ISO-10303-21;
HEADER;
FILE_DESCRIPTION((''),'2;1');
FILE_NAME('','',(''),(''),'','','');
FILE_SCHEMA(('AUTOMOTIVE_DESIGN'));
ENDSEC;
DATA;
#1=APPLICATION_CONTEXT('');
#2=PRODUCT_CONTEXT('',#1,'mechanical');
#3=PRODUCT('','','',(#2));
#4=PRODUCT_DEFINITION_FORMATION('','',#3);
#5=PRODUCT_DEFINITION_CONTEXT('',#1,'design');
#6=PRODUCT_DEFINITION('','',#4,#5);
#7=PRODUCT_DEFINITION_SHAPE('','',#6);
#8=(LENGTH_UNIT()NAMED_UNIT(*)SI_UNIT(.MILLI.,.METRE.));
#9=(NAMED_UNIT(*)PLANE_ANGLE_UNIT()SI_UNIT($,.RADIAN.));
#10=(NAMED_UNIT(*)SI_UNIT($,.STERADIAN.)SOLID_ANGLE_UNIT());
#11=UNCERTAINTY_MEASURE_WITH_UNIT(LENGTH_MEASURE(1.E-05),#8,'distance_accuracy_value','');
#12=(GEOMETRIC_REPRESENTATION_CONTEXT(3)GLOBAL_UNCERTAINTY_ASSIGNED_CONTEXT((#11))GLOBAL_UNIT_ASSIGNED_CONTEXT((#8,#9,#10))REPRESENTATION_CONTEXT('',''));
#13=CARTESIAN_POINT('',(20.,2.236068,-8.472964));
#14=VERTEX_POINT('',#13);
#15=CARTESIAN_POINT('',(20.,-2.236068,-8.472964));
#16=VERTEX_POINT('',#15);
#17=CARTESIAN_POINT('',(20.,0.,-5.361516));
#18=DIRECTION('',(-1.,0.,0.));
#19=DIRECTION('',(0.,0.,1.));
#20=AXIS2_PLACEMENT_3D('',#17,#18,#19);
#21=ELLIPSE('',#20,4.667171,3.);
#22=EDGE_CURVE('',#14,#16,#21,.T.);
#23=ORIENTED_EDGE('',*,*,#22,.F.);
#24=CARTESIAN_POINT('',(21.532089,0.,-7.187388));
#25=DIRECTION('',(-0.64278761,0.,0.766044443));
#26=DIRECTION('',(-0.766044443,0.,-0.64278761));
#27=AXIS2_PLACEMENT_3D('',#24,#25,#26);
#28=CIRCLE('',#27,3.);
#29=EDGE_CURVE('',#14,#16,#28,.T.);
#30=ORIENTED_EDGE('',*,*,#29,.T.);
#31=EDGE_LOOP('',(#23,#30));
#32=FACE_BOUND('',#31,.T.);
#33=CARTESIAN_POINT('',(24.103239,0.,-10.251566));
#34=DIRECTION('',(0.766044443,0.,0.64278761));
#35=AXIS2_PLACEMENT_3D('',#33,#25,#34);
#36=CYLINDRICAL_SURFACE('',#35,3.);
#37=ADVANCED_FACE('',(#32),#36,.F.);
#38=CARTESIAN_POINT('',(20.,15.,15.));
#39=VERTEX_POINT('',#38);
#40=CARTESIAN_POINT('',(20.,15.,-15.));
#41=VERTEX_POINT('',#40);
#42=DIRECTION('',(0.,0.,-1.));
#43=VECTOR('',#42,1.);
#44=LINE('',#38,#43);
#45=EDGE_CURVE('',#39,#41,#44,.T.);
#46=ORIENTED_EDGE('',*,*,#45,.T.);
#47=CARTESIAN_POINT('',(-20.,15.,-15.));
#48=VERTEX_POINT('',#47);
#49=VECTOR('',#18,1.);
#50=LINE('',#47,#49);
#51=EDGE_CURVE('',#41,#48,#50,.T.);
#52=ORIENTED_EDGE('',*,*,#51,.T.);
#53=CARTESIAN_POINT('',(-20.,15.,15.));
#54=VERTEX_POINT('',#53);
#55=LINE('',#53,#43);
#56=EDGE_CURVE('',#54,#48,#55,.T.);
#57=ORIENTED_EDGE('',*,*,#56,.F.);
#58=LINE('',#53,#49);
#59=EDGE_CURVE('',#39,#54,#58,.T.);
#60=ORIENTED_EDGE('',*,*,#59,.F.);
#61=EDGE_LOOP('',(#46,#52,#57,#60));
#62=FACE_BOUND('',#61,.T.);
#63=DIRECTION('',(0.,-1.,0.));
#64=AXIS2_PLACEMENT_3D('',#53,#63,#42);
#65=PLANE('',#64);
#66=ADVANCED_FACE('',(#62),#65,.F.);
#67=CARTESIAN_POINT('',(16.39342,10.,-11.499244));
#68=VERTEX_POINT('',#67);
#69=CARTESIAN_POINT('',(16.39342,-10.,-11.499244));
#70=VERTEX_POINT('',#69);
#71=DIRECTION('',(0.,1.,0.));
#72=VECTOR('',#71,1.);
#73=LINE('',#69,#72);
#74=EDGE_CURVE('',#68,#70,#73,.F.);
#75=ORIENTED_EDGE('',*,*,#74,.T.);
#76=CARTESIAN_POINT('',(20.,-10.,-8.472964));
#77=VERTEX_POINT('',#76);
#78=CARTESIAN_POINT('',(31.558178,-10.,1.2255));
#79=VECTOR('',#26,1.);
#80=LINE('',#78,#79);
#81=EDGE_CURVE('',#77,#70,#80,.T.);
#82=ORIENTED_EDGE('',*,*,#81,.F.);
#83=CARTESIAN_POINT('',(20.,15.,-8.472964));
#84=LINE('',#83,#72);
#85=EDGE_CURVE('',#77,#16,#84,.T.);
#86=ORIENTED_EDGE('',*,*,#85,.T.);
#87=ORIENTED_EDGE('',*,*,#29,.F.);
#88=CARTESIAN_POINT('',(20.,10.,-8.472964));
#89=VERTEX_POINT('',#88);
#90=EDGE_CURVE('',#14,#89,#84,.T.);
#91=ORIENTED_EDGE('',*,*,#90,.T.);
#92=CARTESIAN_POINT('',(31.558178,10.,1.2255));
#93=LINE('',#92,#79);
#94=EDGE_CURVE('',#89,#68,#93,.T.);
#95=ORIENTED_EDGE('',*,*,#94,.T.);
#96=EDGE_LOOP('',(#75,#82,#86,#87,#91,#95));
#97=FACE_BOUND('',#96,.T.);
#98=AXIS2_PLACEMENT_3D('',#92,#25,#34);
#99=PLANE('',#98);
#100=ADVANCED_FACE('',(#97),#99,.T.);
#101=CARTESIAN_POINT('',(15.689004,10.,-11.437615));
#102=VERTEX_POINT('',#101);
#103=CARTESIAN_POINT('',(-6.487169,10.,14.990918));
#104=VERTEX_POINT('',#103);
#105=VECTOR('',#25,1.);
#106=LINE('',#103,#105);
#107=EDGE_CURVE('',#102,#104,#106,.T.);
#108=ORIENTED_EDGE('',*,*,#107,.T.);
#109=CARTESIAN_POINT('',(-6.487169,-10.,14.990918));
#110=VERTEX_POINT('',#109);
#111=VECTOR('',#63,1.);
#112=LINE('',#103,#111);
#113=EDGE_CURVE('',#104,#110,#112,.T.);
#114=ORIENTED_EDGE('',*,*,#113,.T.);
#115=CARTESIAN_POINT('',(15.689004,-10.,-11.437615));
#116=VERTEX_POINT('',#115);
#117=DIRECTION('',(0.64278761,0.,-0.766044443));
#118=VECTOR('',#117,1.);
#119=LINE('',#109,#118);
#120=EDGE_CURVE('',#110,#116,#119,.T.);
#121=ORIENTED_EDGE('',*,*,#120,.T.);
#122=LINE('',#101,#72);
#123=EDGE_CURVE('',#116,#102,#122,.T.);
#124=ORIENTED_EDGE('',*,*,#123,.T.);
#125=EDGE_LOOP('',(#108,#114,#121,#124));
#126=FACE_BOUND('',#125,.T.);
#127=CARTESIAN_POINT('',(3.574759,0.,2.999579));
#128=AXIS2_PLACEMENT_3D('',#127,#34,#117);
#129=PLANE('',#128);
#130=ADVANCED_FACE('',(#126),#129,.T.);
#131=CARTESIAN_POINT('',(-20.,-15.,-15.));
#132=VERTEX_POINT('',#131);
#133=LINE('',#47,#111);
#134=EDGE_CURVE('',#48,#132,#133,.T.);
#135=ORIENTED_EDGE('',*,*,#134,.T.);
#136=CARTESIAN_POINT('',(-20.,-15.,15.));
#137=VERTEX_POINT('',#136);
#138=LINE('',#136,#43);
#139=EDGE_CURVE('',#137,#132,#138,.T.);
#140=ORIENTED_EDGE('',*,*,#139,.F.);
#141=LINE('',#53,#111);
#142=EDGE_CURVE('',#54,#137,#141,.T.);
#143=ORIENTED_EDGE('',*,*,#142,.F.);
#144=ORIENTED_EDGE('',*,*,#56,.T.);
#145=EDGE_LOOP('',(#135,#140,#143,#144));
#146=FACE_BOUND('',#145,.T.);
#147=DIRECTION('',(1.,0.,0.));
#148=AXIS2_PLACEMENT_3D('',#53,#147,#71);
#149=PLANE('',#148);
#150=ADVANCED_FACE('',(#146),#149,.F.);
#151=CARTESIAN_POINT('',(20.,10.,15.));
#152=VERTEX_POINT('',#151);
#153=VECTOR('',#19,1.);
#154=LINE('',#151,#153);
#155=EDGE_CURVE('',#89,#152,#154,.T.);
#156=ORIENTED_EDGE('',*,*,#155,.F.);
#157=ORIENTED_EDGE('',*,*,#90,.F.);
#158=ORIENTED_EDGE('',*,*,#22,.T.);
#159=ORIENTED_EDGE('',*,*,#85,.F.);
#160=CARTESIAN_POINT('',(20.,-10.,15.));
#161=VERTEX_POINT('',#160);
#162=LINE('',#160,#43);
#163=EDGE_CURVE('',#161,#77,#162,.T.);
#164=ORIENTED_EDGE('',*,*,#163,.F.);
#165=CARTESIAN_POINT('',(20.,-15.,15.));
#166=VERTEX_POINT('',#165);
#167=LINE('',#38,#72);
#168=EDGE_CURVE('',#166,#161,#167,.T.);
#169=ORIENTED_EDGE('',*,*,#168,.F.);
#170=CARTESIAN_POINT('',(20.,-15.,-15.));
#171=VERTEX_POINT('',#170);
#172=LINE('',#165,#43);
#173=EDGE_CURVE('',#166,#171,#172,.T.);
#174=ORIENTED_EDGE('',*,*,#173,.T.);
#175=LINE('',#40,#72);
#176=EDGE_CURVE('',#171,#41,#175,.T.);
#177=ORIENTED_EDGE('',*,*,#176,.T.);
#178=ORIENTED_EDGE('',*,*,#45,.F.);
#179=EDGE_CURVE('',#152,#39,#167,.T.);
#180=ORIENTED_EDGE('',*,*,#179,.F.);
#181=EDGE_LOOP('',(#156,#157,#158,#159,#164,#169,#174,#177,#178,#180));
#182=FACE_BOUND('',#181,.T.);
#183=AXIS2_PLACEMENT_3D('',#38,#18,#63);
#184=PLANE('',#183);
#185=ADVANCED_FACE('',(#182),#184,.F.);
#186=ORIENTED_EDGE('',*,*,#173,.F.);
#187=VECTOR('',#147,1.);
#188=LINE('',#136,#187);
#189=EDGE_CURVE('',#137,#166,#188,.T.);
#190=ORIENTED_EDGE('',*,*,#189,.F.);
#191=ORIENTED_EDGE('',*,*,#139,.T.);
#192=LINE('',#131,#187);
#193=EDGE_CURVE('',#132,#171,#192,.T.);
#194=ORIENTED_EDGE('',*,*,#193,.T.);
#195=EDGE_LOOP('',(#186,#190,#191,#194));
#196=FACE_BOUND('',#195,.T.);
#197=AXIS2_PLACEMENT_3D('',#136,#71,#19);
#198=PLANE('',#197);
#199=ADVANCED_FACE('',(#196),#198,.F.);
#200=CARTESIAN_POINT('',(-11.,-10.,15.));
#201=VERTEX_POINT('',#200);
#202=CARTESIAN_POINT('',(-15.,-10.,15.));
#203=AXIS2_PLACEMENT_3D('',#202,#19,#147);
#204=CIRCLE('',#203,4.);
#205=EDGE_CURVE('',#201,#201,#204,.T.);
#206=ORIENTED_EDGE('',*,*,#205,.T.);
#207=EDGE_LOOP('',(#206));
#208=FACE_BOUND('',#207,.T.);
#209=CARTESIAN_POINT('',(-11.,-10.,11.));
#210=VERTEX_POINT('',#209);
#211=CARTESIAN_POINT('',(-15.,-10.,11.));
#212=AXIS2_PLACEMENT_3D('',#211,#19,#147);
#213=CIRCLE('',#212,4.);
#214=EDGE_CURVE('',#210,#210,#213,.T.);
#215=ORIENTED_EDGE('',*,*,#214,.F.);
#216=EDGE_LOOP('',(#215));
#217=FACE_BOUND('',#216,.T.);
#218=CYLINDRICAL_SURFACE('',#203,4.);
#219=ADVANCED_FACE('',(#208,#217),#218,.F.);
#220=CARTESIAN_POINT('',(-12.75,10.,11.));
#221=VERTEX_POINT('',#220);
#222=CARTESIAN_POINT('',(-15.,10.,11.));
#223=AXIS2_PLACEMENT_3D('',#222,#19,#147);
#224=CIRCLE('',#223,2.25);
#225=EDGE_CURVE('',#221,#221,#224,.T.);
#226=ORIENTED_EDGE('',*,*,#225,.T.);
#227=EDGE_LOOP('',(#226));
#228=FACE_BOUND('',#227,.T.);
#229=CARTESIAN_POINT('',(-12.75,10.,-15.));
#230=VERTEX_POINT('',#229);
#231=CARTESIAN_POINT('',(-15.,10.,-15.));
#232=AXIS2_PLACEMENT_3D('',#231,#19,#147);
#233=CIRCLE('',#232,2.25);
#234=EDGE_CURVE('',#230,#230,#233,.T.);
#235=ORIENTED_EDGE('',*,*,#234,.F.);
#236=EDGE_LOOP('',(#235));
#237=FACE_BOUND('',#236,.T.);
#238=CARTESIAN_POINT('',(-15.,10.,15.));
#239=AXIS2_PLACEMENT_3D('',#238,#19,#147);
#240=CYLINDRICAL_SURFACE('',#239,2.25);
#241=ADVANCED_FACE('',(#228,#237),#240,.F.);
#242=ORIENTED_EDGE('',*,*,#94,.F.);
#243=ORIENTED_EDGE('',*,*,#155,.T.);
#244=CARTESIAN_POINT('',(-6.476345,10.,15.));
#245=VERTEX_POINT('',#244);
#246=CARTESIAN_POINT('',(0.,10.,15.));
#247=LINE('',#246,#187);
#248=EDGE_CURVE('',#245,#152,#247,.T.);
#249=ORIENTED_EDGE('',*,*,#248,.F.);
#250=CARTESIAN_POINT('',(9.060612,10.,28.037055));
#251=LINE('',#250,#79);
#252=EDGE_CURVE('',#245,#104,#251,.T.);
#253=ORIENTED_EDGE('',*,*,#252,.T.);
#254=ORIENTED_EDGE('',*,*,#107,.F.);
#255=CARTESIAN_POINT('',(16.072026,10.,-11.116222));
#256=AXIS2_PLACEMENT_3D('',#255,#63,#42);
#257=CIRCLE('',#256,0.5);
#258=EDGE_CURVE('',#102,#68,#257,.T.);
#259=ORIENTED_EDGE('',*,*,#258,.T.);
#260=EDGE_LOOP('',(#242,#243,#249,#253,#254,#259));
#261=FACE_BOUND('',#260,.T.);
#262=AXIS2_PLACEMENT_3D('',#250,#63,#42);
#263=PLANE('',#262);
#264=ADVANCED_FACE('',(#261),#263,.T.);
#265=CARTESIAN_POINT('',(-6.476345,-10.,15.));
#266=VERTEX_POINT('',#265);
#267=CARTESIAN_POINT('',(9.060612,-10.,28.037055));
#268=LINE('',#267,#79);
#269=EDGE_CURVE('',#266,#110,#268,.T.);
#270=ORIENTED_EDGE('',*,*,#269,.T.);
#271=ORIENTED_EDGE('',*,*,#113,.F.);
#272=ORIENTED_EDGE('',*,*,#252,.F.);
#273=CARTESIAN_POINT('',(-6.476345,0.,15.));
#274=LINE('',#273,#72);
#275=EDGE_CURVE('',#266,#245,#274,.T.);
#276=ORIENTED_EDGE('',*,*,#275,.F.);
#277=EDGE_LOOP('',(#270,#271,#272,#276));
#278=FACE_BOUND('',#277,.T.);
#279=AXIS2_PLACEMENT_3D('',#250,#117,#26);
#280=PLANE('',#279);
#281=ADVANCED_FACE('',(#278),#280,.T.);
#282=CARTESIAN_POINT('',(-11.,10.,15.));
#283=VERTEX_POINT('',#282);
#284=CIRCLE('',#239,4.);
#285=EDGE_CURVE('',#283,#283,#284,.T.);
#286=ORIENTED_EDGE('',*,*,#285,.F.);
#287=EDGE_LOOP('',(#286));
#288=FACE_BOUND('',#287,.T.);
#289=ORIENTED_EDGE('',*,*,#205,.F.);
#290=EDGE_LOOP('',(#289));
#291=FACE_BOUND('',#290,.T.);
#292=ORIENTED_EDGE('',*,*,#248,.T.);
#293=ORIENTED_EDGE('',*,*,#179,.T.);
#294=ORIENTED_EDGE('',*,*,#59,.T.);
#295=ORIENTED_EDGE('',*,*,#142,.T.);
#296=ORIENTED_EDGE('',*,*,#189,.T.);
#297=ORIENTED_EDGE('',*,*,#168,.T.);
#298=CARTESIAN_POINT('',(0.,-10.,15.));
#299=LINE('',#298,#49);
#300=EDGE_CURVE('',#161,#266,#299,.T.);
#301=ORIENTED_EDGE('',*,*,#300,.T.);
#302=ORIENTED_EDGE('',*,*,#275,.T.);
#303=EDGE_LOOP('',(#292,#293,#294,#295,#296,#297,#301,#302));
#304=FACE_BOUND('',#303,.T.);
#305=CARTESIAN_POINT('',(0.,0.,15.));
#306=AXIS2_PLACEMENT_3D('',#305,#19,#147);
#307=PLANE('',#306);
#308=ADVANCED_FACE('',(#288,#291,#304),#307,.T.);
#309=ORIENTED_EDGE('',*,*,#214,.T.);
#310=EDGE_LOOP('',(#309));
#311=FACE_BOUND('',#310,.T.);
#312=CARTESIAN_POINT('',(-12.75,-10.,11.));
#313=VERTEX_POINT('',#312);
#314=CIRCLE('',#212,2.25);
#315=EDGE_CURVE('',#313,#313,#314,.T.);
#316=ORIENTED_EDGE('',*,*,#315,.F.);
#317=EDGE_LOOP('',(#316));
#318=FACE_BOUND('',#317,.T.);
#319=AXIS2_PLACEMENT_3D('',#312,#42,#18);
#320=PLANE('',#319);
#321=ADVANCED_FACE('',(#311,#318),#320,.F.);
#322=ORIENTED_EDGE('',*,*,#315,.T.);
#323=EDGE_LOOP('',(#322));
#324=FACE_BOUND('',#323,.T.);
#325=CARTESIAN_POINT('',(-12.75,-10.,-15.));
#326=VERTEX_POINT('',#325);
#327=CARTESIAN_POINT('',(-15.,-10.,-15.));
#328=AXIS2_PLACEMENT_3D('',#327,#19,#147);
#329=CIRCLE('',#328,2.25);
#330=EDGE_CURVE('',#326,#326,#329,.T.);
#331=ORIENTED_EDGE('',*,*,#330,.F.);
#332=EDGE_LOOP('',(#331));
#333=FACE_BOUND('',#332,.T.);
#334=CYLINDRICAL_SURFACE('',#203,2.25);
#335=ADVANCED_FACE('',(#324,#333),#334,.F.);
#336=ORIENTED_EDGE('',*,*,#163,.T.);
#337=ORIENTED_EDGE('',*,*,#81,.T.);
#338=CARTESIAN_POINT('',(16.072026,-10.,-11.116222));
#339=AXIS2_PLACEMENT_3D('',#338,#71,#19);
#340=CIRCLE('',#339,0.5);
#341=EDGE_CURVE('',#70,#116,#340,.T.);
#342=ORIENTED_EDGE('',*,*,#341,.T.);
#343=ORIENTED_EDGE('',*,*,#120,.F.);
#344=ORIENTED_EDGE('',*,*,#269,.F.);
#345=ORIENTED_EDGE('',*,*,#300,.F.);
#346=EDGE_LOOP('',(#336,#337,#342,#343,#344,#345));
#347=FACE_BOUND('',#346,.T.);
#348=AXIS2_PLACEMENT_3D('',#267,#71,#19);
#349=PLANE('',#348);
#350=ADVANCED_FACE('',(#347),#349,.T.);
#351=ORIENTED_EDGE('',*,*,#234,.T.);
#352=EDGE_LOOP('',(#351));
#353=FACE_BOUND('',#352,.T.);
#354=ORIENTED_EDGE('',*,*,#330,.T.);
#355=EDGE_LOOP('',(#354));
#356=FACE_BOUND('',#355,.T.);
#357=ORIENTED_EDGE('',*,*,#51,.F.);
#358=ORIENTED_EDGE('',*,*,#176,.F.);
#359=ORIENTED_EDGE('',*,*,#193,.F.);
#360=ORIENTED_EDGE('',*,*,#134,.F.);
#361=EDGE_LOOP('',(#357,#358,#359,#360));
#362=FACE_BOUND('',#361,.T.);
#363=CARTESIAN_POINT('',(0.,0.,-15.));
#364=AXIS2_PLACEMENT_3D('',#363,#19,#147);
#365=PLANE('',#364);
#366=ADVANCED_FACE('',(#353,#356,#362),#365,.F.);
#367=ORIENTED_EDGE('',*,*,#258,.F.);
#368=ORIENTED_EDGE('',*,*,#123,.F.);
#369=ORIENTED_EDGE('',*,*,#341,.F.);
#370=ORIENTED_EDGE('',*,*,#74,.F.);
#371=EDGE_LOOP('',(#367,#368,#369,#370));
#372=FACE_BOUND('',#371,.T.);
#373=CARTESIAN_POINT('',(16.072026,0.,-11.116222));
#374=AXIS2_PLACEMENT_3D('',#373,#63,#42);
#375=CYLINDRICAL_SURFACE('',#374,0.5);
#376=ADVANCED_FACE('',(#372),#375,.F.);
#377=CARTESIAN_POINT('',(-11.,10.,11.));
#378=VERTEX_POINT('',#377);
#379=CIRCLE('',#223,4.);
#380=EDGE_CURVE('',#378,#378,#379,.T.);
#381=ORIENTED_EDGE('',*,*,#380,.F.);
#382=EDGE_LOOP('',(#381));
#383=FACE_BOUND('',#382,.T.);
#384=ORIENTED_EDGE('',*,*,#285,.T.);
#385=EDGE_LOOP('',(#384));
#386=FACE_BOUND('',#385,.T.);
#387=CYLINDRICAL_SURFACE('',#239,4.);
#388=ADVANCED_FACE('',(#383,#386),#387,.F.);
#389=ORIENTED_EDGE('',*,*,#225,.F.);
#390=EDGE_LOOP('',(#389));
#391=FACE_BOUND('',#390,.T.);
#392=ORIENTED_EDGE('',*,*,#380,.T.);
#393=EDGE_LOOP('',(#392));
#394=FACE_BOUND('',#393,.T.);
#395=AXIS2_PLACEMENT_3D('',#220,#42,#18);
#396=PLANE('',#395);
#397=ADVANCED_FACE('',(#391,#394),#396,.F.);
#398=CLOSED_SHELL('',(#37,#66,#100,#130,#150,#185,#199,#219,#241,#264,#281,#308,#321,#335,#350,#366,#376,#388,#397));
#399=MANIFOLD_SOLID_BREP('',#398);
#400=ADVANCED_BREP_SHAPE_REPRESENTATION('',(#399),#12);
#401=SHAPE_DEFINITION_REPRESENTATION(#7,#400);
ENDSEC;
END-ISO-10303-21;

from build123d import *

# Parameters (mm, degrees)
SKETCH_1_W                   = 40
SKETCH_1_H                   = 30
EXTRUDE_1_DEPTH              = 15
SKETCH_4_W                   = 35
SKETCH_4_H                   = 20
CUT_EXTRUDE_1_DEPTH          = 34.23784159
FILLET_1_R                   = 0.5
CUT_EXTRUDE_4_DEPTH          = 4
HOLE_WIZARD_M4_2_D           = 4.5
HOLE_WIZARD_M4_2_CBORE_D     = 8
HOLE_WIZARD_M4_2_CBORE_DEPTH = 4


with BuildPart() as part:
    # 草圖1 → 填料-伸長1 (new, symmetric)
    with BuildSketch(Plane.XY):
        Rectangle(SKETCH_1_W, SKETCH_1_H)
    extrude(amount=EXTRUDE_1_DEPTH, both=True)

    # 草圖4 → 除料-伸長1 (cut, through all)
    with BuildSketch(Plane(origin=(3.574759116, 0, 2.999579055), x_dir=(-0.6427876096865437, 0, 0.7660444431189745), z_dir=(0.7660444431189745, 0, 0.6427876096865437))):
        with Locations((-1.846418841, 0)):
            Rectangle(SKETCH_4_W, SKETCH_4_H)
    extrude(amount=CUT_EXTRUDE_1_DEPTH, mode=Mode.SUBTRACT)

    # 圓角1
    fillet_1_edges = [part.edges().sort_by_distance(p)[0] for p in [
        (16.010397438, 0, -11.820637592),
    ]]
    fillet(fillet_1_edges, radius=FILLET_1_R)

    # 草圖7 → 除料-伸長4 (cut)
    with BuildSketch(Plane(origin=(12.435638322, 0, -14.820216647), x_dir=(0.7660444431189746, 0, 0.6427876096865437), z_dir=(-0.6427876096865437, 0, 0.7660444431189746))):
        with BuildLine():
            Line((9.874572873, -2.236067977), (9.874572873, 2.236067977))
            ThreePointArc((9.874572873, 2.236067977), (8.874572873, 0), (9.874572873, -2.236067977))
        make_face()
    extrude(amount=-CUT_EXTRUDE_4_DEPTH, mode=Mode.SUBTRACT)

    # M4 凹頭蓋螺釘的柱孔2 (through all)
    with Locations(Plane.XY.offset(15)):
        with Locations((-15, 10), (-15, -10)):
            CounterBoreHole(HOLE_WIZARD_M4_2_D / 2, HOLE_WIZARD_M4_2_CBORE_D / 2, HOLE_WIZARD_M4_2_CBORE_DEPTH)


solid = part.part
